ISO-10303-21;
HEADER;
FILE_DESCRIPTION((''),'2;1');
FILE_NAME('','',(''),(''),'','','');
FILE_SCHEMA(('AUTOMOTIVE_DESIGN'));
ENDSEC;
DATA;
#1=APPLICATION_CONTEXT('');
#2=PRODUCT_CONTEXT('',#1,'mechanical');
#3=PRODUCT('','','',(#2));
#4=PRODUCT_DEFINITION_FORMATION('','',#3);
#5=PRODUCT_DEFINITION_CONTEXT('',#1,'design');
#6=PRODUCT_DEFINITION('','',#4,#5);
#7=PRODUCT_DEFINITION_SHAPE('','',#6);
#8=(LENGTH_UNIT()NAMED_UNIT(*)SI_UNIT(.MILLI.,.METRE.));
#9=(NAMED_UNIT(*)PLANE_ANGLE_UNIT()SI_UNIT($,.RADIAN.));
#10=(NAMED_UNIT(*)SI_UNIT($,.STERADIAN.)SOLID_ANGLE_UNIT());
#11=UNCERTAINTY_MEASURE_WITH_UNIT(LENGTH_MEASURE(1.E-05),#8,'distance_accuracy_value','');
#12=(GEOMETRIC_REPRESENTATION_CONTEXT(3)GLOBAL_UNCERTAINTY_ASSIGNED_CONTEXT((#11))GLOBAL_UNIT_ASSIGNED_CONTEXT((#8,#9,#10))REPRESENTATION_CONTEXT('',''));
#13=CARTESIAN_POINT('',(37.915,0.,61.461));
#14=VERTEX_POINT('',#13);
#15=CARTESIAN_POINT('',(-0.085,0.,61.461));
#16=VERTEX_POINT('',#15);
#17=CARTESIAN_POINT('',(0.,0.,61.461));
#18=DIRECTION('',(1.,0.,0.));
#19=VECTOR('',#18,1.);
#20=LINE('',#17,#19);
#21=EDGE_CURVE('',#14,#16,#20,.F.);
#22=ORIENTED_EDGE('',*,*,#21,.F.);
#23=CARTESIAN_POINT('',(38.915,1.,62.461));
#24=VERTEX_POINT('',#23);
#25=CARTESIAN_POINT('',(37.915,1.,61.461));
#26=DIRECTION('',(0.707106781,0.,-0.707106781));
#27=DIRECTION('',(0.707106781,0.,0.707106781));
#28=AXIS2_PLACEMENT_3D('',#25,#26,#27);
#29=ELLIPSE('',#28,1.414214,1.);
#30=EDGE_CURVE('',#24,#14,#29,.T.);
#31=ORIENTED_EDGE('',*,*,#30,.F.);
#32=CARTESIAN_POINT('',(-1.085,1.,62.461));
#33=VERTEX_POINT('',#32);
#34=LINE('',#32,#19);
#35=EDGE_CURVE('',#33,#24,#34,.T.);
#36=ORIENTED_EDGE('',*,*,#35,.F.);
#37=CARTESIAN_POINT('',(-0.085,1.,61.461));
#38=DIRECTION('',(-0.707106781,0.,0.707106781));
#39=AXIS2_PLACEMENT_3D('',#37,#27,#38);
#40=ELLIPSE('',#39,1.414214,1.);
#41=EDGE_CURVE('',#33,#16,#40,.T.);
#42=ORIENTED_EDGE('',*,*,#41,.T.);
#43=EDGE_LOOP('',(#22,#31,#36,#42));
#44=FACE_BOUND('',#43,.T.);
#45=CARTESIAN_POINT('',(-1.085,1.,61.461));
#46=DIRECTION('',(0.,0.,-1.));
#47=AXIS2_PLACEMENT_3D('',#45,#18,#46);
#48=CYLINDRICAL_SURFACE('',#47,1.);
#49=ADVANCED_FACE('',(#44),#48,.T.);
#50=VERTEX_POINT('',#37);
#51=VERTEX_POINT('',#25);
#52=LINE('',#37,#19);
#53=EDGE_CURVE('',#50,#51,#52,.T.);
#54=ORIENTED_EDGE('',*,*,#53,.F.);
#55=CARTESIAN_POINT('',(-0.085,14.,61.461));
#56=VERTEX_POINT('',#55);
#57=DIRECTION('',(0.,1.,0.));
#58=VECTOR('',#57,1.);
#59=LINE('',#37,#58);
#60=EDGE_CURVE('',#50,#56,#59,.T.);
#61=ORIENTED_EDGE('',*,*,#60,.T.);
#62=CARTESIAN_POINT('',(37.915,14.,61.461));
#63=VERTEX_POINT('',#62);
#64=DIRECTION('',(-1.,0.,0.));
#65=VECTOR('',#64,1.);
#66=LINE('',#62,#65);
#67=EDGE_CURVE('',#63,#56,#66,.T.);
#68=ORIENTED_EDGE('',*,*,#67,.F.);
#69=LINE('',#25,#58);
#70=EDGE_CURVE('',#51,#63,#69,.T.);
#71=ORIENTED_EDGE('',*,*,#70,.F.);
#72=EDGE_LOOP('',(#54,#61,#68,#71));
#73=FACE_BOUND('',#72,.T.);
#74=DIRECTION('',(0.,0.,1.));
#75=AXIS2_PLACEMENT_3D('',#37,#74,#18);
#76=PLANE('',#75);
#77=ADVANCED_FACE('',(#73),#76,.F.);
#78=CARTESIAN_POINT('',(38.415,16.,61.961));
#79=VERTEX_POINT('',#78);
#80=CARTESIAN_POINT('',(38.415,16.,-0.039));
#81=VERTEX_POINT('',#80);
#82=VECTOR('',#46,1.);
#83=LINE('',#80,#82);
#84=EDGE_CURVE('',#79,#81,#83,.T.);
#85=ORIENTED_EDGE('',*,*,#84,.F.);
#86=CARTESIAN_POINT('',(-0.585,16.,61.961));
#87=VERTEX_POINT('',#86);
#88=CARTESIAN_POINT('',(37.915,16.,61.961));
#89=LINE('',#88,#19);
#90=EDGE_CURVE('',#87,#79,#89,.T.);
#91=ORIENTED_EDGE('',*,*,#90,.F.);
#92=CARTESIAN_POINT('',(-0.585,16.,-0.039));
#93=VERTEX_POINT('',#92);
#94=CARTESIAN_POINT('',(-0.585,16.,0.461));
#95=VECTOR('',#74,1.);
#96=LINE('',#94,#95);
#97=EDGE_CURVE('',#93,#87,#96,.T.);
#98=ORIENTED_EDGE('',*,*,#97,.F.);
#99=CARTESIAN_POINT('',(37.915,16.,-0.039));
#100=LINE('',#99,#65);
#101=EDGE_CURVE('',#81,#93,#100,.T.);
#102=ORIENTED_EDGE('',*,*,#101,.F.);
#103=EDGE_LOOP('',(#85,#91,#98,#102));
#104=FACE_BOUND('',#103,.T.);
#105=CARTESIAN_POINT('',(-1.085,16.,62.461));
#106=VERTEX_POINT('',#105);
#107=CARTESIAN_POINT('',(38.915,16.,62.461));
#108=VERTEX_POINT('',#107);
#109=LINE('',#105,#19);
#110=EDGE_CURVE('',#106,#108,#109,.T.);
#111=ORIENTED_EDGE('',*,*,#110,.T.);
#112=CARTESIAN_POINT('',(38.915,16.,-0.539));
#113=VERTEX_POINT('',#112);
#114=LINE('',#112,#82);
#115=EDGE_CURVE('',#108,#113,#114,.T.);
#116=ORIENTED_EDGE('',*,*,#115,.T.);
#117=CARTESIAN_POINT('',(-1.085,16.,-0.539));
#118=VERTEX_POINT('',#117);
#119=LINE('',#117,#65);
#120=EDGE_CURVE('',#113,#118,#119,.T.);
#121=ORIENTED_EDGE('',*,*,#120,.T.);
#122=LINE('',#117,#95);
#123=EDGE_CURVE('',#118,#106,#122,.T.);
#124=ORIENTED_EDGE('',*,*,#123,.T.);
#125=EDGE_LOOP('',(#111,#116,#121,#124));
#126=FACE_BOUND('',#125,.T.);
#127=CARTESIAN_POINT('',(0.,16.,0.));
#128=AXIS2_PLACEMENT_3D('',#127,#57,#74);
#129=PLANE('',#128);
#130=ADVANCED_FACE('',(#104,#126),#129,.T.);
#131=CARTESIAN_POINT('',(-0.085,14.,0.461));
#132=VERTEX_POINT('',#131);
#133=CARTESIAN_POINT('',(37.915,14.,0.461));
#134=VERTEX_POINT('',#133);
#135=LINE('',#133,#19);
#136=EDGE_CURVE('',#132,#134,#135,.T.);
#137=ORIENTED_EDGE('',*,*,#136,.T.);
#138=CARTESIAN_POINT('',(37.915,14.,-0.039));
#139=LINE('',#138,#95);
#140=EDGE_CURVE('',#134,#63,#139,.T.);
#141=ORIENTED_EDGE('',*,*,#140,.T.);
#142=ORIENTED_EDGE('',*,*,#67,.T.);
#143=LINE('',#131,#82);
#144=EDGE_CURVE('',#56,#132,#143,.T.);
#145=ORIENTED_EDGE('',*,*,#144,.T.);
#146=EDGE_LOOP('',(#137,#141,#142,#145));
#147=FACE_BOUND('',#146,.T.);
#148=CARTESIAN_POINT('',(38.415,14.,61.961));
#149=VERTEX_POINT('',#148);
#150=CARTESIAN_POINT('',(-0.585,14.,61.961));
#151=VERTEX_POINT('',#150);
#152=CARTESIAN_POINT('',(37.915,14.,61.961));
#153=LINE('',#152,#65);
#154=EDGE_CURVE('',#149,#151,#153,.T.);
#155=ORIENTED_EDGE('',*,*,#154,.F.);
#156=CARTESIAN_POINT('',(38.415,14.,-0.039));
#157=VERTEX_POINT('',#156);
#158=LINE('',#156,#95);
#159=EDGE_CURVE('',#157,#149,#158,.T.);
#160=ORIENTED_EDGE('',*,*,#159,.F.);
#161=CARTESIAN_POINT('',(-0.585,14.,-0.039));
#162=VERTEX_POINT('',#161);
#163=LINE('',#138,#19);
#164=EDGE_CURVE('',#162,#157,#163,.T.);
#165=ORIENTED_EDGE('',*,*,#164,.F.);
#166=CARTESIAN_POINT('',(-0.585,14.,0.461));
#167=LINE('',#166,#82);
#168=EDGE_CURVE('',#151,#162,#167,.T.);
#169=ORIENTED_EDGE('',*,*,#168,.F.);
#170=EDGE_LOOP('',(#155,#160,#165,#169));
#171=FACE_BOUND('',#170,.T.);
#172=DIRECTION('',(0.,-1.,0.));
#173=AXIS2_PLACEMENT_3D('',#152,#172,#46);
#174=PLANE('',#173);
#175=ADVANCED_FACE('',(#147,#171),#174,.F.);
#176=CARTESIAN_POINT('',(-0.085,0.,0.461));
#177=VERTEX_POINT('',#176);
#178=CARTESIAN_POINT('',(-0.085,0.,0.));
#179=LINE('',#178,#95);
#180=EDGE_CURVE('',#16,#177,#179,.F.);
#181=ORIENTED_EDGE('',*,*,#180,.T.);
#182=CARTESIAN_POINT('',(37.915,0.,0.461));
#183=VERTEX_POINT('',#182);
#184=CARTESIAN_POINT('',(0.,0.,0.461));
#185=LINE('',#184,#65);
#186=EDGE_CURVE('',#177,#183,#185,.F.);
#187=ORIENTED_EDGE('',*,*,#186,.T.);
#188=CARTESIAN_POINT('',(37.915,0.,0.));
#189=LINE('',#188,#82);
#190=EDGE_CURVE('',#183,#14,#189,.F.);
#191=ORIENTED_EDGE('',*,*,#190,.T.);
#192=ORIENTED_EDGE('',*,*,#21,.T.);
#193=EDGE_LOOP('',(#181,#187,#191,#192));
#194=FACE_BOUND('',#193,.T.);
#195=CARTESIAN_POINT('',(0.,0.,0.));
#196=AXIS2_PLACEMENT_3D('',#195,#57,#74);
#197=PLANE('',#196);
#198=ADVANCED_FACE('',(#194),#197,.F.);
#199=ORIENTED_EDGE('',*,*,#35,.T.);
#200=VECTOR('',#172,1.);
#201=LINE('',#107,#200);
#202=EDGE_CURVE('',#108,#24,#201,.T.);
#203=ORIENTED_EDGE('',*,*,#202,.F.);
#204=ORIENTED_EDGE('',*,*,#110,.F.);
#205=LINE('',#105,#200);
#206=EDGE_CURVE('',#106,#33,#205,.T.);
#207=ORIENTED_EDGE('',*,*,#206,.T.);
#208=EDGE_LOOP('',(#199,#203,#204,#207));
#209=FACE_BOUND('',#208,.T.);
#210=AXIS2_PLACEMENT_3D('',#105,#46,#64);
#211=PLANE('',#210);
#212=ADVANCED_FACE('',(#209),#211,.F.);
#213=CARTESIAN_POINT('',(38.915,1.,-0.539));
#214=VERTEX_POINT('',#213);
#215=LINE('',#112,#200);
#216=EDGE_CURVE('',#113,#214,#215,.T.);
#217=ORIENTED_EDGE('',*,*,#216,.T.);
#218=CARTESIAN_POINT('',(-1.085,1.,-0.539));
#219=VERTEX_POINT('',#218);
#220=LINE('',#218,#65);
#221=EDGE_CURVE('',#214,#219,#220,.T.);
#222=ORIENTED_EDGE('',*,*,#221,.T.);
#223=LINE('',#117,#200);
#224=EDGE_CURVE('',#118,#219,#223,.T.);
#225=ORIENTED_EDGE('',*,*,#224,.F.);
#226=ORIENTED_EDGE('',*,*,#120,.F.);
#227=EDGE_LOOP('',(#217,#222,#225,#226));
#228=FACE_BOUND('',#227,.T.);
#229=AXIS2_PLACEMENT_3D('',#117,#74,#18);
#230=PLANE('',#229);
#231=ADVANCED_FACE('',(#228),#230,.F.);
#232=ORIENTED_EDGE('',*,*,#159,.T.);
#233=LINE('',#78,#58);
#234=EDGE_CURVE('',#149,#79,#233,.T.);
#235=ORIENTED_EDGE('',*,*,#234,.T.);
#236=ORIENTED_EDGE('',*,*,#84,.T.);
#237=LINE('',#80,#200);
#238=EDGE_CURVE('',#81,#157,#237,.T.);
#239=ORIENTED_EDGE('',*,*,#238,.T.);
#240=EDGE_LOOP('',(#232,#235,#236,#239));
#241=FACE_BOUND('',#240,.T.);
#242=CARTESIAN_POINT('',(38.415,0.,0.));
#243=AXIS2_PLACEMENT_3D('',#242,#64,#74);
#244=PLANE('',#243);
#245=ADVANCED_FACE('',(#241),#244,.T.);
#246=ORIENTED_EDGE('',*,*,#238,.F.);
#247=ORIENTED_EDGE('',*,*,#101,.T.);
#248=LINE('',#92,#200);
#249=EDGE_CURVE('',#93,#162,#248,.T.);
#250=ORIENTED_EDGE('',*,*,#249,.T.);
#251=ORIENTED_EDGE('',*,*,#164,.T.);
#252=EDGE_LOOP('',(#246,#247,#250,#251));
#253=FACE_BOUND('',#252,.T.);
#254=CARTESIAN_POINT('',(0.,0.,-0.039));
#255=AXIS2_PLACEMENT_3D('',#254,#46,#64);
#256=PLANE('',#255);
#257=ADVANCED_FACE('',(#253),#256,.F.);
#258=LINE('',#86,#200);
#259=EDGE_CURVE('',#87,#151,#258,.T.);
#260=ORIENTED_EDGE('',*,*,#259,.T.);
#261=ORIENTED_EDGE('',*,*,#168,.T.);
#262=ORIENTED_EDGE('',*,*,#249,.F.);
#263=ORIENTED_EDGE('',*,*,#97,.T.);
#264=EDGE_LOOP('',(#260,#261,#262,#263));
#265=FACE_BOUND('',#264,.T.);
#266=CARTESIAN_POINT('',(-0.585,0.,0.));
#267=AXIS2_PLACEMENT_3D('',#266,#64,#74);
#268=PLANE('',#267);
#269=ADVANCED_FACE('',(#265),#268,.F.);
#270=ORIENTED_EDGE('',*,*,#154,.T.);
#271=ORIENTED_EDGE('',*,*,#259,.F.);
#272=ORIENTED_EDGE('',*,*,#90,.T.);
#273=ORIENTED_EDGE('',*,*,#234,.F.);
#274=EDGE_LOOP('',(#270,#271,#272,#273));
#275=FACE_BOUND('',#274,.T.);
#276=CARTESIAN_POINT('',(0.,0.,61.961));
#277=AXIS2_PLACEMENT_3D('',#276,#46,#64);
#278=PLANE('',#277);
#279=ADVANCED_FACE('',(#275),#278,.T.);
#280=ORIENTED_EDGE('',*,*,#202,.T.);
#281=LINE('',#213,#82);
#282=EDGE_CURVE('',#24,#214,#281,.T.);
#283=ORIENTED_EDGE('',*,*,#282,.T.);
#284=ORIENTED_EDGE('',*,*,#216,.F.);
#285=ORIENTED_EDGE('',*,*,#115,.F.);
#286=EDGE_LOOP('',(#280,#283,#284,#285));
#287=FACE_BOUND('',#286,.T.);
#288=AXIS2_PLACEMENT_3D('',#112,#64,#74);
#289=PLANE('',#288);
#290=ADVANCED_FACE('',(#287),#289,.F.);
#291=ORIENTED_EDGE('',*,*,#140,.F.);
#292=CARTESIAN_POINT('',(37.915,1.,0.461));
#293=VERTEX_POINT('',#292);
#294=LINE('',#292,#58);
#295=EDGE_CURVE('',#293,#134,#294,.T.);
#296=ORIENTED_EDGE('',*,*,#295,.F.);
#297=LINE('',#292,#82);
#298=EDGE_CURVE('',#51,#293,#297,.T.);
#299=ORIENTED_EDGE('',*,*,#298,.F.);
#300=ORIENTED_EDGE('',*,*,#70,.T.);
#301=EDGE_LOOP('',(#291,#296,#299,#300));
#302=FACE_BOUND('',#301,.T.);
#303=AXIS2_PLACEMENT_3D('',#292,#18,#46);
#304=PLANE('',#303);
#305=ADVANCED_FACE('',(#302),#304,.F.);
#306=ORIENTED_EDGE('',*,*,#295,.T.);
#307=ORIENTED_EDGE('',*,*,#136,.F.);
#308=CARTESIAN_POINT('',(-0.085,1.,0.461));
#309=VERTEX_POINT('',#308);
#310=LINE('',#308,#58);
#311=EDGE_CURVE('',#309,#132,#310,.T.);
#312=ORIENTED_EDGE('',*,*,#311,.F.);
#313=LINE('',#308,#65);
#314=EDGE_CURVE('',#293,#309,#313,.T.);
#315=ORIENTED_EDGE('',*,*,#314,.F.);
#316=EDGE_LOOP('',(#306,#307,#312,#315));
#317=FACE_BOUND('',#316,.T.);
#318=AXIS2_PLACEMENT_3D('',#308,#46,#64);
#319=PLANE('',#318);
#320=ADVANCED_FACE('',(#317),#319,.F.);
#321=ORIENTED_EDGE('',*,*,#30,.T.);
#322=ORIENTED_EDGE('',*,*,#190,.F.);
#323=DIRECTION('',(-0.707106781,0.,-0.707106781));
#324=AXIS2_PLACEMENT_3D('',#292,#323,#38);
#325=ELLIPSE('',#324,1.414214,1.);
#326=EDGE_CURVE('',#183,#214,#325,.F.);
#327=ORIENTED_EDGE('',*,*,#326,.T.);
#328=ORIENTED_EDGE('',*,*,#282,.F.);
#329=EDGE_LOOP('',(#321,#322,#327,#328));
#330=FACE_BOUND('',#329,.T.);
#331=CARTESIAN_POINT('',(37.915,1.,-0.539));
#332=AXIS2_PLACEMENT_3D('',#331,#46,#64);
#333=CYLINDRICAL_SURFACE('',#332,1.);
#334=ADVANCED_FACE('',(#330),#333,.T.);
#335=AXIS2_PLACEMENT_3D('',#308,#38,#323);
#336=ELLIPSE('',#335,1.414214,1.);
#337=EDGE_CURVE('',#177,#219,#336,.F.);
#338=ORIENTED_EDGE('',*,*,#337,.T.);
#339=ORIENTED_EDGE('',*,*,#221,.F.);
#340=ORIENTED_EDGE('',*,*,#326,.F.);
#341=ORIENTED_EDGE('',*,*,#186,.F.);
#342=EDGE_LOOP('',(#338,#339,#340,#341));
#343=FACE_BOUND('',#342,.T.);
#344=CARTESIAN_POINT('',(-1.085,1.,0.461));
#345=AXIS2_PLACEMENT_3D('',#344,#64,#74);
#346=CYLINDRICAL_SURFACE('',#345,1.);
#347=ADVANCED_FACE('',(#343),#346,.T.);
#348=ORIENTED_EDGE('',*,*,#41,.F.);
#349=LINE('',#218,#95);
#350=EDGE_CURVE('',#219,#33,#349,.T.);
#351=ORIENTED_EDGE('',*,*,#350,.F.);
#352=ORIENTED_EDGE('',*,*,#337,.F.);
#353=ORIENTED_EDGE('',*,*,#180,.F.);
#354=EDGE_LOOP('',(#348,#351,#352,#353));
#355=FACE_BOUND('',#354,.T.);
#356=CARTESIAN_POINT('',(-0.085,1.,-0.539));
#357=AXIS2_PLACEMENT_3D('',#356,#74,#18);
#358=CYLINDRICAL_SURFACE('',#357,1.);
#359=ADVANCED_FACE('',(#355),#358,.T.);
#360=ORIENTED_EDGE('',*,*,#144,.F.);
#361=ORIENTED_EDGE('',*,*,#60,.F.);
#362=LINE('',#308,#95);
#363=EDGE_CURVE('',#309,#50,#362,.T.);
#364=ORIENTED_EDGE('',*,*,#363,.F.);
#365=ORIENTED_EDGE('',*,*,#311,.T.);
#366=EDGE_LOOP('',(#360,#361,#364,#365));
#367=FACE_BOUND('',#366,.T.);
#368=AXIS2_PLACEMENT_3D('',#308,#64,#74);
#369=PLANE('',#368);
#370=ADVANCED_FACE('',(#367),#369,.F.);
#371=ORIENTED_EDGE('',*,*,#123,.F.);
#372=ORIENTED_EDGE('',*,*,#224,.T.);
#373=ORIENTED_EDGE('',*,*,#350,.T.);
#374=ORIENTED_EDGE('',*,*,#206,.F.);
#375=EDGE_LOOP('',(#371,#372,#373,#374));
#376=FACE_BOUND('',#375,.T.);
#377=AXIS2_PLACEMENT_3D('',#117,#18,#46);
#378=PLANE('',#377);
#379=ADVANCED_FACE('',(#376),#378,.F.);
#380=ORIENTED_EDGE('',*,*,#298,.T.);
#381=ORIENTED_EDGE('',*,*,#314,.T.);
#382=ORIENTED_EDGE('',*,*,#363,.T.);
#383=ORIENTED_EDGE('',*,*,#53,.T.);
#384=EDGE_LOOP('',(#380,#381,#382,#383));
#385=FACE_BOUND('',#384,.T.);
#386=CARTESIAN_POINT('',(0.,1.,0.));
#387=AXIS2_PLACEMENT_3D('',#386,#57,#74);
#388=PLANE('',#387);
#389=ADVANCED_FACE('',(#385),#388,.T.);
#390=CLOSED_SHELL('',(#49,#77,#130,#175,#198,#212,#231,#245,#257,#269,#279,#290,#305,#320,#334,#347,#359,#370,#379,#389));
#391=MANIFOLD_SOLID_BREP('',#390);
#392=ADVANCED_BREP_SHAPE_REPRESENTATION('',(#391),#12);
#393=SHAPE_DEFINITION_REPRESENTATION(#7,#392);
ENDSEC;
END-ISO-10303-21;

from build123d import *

# Parameters (mm, degrees)
SKETCH_1_W          = 40
SKETCH_1_H          = 63
EXTRUDE_1_DEPTH     = 16
SKETCH_2_W          = 38
SKETCH_2_H          = 61
CUT_EXTRUDE_2_DEPTH = 15
FILLET_2_R          = 1
SKETCH_5_W          = 38
SKETCH_5_H          = 2
CUT_EXTRUDE_4_DEPTH = 0.5
SKETCH_6_W          = 61.5
SKETCH_6_H          = 2
CUT_EXTRUDE_5_DEPTH = 0.5
SKETCH_7_W          = 38.5
SKETCH_7_H          = 2
CUT_EXTRUDE_6_DEPTH = 0.5
SKETCH_8_W          = 62
SKETCH_8_H          = 2
CUT_EXTRUDE_7_DEPTH = 0.5


with BuildPart() as part:
    # Эскиз1 → Бобышка-Вытянуть1 (new body)
    with BuildSketch(Plane(origin=(0, 0, 0), x_dir=(1, 0, 0), z_dir=(0, 1, 0))):
        with Locations((18.915, -30.961)):
            Rectangle(SKETCH_1_W, SKETCH_1_H)
    extrude(amount=EXTRUDE_1_DEPTH)

    # Эскиз2 → Вырез-Вытянуть2 (cut)
    with BuildSketch(Plane(origin=(0, 16, 0), x_dir=(1, 0, 0), z_dir=(0, 1, 0))):
        with Locations((18.915, -30.961)):
            Rectangle(SKETCH_2_W, SKETCH_2_H)
    extrude(amount=-CUT_EXTRUDE_2_DEPTH, mode=Mode.SUBTRACT)

    # Скругление2
    fillet_2_edges = [part.edges().sort_by_distance(p)[0] for p in [
        (18.915, 0, -0.539),
        (38.915, 0, 30.961),
        (18.915, 0, 62.461),
        (-1.085, 0, 30.961),
    ]]
    fillet(fillet_2_edges, radius=FILLET_2_R)

    # Эскиз5 → Вырез-Вытянуть4 (cut)
    with BuildSketch(Plane(origin=(0, 0, 61.461), x_dir=(-1, 0, 0), z_dir=(0, 0, -1))):
        with Locations((-18.915, 15)):
            Rectangle(SKETCH_5_W, SKETCH_5_H)
    extrude(amount=-CUT_EXTRUDE_4_DEPTH, mode=Mode.SUBTRACT)

    # Эскиз6 → Вырез-Вытянуть5 (cut)
    with BuildSketch(Plane(origin=(-0.085, 0, 0), x_dir=(0, 0, -1), z_dir=(1, 0, 0))):
        with Locations((-31.211, 15)):
            Rectangle(SKETCH_6_W, SKETCH_6_H)
    extrude(amount=-CUT_EXTRUDE_5_DEPTH, mode=Mode.SUBTRACT)

    # Эскиз7 → Вырез-Вытянуть6 (cut)
    with BuildSketch(Plane.XY.offset(0.461)):
        with Locations((18.665, 15)):
            Rectangle(SKETCH_7_W, SKETCH_7_H)
    extrude(amount=-CUT_EXTRUDE_6_DEPTH, mode=Mode.SUBTRACT)

    # Эскиз8 → Вырез-Вытянуть7 (cut)
    with BuildSketch(Plane.ZY.offset(-37.915)):
        with Locations((30.961, 15)):
            Rectangle(SKETCH_8_W, SKETCH_8_H)
    extrude(amount=-CUT_EXTRUDE_7_DEPTH, mode=Mode.SUBTRACT)


solid = part.part
